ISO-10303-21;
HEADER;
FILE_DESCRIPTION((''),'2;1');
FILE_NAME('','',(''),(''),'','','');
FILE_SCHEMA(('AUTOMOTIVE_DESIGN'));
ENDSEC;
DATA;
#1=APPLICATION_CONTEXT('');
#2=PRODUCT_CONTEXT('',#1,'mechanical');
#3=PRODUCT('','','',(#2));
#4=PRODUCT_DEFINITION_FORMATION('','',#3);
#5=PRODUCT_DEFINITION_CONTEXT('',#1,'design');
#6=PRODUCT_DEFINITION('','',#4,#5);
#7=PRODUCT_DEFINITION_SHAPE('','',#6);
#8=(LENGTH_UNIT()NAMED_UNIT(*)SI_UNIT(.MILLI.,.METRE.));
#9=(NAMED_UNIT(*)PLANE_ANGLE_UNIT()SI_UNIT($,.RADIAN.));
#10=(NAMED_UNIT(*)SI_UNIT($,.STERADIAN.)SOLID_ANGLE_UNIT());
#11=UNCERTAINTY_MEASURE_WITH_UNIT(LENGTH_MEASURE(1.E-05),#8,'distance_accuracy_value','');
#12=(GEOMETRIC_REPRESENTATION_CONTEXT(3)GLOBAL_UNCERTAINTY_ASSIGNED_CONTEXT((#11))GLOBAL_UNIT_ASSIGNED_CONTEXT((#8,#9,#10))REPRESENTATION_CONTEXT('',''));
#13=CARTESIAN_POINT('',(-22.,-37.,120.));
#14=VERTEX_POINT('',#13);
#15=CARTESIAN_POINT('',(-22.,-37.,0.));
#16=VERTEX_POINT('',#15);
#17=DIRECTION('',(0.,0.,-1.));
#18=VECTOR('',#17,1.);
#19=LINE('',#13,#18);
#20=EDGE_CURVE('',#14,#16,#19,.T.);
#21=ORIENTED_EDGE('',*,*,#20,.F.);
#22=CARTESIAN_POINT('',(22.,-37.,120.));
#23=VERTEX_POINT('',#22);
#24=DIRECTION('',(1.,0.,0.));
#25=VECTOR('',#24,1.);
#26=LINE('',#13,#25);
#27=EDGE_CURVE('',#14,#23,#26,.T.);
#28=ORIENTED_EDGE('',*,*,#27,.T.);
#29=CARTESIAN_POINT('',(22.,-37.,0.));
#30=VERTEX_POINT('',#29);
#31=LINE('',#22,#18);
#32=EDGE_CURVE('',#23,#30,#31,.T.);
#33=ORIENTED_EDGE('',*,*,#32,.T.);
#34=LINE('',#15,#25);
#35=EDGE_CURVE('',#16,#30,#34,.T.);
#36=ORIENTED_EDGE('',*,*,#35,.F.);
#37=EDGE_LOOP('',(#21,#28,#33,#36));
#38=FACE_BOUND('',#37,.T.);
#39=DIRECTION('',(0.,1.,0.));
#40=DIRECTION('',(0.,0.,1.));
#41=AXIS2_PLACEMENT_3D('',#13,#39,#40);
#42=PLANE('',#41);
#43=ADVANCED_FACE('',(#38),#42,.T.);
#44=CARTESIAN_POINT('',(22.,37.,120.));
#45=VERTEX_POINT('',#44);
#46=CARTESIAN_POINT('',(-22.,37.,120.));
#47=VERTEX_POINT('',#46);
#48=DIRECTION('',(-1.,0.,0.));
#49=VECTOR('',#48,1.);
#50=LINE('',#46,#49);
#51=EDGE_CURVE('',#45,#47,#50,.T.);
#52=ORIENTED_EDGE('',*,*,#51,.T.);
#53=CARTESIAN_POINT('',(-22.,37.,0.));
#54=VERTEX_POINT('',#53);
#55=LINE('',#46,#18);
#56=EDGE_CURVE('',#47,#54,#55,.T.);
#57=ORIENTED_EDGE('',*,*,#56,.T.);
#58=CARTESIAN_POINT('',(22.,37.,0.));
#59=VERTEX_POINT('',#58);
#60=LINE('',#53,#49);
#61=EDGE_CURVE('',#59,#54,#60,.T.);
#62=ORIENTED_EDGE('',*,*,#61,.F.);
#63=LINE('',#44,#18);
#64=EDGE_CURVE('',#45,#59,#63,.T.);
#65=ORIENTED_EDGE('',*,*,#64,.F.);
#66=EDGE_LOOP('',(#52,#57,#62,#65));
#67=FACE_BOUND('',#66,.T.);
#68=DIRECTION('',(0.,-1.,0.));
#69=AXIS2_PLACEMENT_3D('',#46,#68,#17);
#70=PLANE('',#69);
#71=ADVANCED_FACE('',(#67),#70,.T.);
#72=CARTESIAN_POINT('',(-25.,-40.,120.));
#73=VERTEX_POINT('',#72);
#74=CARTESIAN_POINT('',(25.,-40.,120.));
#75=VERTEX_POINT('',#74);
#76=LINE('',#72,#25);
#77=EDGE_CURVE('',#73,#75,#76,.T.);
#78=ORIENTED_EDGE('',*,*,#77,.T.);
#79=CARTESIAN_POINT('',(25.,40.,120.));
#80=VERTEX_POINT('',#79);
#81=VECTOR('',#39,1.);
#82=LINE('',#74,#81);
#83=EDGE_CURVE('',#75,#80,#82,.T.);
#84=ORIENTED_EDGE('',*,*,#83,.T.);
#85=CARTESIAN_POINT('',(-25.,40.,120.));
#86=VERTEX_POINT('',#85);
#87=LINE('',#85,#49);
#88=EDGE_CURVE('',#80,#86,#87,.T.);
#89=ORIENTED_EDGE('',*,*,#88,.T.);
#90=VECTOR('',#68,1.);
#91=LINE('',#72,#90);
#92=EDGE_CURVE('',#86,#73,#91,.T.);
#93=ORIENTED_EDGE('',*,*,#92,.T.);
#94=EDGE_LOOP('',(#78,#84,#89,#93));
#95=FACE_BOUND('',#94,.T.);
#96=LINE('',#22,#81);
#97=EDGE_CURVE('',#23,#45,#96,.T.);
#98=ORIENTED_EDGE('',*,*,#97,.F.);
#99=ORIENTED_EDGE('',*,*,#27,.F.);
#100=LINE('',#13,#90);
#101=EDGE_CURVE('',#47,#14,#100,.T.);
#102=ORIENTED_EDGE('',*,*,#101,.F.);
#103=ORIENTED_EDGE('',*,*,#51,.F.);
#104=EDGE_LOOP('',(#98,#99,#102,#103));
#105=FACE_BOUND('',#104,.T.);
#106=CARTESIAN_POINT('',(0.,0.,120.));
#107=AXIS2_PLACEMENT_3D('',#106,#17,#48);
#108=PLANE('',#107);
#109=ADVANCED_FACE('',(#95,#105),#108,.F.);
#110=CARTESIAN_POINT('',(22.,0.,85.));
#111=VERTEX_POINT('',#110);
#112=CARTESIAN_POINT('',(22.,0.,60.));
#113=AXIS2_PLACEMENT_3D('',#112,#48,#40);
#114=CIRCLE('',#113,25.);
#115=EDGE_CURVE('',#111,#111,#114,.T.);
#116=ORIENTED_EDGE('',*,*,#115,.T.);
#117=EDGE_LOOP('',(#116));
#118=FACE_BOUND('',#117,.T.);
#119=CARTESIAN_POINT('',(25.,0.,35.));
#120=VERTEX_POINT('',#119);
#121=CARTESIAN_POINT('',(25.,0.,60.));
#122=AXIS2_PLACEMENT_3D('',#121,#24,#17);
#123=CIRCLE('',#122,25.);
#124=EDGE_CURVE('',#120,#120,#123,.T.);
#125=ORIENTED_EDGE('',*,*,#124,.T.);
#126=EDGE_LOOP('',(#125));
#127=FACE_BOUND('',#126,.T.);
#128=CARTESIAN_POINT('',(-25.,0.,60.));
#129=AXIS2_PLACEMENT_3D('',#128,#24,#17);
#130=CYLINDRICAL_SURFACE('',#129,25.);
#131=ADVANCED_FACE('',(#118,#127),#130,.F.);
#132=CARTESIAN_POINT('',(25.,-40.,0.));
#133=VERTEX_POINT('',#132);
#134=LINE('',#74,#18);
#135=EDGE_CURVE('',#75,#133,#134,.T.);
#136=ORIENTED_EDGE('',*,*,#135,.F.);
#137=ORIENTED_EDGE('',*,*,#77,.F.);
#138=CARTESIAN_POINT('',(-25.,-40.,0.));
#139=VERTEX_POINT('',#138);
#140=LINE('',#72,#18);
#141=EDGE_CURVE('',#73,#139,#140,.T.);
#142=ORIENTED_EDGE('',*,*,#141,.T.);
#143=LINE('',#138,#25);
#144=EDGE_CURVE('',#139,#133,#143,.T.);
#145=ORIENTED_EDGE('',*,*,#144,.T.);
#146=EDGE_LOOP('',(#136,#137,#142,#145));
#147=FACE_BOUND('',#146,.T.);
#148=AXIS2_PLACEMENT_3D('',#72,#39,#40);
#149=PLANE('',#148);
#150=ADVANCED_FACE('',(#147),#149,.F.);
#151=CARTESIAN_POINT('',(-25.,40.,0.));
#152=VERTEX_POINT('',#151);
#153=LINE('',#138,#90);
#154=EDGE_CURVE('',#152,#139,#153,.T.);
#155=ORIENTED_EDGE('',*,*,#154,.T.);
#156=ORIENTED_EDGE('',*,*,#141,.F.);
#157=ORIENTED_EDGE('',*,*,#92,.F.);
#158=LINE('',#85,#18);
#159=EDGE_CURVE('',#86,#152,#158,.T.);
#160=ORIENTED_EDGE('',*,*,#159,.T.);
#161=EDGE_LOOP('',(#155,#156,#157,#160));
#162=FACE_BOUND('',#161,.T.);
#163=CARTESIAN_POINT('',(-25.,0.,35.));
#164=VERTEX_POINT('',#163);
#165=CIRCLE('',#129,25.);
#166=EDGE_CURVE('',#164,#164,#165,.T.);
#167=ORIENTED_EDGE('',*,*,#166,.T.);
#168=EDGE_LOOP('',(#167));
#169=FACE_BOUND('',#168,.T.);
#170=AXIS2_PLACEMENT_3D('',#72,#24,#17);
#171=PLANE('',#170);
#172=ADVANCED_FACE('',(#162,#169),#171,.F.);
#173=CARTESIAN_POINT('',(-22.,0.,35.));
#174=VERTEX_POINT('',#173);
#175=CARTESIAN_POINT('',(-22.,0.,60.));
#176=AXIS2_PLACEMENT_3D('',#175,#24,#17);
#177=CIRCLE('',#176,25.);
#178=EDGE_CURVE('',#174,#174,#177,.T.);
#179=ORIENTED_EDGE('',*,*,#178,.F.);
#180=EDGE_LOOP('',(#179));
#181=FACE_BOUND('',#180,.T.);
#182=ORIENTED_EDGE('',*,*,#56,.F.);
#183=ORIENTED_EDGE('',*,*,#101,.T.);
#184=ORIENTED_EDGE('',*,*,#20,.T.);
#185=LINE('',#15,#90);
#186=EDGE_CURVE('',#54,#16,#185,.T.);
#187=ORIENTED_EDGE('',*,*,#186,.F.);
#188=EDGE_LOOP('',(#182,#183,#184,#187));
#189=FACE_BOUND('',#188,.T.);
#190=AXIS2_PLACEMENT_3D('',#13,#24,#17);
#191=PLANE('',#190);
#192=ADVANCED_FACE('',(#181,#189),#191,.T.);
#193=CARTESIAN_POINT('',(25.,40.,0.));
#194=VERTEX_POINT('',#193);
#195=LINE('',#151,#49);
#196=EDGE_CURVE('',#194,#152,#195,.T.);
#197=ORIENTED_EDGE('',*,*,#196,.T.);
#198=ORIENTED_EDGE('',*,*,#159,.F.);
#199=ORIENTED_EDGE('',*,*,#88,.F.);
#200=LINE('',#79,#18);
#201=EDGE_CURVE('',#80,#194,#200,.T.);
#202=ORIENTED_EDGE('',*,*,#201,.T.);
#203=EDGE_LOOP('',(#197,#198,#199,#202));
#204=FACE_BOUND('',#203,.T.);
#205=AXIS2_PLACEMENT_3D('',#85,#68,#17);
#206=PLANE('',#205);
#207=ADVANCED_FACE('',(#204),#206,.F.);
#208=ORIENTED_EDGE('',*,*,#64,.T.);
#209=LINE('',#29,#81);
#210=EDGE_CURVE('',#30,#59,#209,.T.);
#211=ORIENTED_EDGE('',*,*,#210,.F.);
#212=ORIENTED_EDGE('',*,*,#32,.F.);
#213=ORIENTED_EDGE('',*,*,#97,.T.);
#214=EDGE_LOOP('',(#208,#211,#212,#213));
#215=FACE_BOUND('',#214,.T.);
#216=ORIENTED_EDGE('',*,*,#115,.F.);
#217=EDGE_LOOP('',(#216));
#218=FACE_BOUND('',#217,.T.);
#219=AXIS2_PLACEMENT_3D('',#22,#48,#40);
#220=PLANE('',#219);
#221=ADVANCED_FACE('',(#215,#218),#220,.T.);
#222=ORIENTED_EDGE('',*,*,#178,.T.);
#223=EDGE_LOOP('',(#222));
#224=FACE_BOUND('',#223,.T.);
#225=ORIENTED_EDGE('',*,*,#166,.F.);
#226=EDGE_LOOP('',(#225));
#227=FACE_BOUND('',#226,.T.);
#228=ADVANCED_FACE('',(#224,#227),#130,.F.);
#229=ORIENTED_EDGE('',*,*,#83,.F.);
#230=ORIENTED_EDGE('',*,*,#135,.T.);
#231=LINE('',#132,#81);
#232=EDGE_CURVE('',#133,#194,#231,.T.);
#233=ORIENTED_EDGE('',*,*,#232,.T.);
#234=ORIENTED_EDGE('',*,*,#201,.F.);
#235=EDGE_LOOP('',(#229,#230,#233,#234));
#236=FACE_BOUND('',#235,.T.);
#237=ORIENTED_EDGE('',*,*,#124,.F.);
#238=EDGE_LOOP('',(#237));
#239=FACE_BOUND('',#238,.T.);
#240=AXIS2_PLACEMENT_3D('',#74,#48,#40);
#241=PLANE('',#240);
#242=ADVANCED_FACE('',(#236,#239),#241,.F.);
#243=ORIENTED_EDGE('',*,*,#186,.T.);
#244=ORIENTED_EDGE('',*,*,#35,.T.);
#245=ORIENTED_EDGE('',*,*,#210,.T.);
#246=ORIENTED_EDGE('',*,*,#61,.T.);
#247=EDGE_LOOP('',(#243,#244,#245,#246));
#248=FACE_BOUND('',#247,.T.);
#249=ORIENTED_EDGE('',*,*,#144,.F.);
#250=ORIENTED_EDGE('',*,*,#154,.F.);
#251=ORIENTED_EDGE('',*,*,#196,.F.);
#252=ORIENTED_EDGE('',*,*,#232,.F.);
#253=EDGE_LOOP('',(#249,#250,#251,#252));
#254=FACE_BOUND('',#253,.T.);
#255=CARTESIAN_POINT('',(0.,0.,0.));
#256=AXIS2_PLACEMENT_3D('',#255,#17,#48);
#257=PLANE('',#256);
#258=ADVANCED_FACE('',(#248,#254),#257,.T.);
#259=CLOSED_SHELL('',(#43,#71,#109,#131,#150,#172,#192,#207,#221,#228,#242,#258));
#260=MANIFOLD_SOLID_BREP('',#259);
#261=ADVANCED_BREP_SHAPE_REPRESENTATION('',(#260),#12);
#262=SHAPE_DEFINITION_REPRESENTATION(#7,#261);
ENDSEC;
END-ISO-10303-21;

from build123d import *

# Parameters (mm, degrees)
SZKIC1_W                    = 50
SZKIC1_H                    = 80
SZKIC1_W_2                  = 44
SZKIC1_H_2                  = 74
DODANIE_WYCI_GNI_CIE1_DEPTH = 120
SZKIC2_R                    = 25
WYTNIJ_WYCI_GNI_CIE1_DEPTH  = 137.014705087


with BuildPart() as part:
    # Szkic1 → Dodanie-wyciągnięcie1 (new body)
    with BuildSketch(Plane.XY):
        Rectangle(SZKIC1_W, SZKIC1_H)
        Rectangle(SZKIC1_W_2, SZKIC1_H_2, mode=Mode.SUBTRACT)
    extrude(amount=DODANIE_WYCI_GNI_CIE1_DEPTH)

    # Szkic2 → Wytnij-wyciągnięcie1 (cut, through all)
    with BuildSketch(Plane(origin=(25, 0, 0), x_dir=(0, 0, -1), z_dir=(1, 0, 0))):
        with Locations((-60, 0)):
            Circle(SZKIC2_R)
    extrude(amount=-WYTNIJ_WYCI_GNI_CIE1_DEPTH, mode=Mode.SUBTRACT)


solid = part.part
